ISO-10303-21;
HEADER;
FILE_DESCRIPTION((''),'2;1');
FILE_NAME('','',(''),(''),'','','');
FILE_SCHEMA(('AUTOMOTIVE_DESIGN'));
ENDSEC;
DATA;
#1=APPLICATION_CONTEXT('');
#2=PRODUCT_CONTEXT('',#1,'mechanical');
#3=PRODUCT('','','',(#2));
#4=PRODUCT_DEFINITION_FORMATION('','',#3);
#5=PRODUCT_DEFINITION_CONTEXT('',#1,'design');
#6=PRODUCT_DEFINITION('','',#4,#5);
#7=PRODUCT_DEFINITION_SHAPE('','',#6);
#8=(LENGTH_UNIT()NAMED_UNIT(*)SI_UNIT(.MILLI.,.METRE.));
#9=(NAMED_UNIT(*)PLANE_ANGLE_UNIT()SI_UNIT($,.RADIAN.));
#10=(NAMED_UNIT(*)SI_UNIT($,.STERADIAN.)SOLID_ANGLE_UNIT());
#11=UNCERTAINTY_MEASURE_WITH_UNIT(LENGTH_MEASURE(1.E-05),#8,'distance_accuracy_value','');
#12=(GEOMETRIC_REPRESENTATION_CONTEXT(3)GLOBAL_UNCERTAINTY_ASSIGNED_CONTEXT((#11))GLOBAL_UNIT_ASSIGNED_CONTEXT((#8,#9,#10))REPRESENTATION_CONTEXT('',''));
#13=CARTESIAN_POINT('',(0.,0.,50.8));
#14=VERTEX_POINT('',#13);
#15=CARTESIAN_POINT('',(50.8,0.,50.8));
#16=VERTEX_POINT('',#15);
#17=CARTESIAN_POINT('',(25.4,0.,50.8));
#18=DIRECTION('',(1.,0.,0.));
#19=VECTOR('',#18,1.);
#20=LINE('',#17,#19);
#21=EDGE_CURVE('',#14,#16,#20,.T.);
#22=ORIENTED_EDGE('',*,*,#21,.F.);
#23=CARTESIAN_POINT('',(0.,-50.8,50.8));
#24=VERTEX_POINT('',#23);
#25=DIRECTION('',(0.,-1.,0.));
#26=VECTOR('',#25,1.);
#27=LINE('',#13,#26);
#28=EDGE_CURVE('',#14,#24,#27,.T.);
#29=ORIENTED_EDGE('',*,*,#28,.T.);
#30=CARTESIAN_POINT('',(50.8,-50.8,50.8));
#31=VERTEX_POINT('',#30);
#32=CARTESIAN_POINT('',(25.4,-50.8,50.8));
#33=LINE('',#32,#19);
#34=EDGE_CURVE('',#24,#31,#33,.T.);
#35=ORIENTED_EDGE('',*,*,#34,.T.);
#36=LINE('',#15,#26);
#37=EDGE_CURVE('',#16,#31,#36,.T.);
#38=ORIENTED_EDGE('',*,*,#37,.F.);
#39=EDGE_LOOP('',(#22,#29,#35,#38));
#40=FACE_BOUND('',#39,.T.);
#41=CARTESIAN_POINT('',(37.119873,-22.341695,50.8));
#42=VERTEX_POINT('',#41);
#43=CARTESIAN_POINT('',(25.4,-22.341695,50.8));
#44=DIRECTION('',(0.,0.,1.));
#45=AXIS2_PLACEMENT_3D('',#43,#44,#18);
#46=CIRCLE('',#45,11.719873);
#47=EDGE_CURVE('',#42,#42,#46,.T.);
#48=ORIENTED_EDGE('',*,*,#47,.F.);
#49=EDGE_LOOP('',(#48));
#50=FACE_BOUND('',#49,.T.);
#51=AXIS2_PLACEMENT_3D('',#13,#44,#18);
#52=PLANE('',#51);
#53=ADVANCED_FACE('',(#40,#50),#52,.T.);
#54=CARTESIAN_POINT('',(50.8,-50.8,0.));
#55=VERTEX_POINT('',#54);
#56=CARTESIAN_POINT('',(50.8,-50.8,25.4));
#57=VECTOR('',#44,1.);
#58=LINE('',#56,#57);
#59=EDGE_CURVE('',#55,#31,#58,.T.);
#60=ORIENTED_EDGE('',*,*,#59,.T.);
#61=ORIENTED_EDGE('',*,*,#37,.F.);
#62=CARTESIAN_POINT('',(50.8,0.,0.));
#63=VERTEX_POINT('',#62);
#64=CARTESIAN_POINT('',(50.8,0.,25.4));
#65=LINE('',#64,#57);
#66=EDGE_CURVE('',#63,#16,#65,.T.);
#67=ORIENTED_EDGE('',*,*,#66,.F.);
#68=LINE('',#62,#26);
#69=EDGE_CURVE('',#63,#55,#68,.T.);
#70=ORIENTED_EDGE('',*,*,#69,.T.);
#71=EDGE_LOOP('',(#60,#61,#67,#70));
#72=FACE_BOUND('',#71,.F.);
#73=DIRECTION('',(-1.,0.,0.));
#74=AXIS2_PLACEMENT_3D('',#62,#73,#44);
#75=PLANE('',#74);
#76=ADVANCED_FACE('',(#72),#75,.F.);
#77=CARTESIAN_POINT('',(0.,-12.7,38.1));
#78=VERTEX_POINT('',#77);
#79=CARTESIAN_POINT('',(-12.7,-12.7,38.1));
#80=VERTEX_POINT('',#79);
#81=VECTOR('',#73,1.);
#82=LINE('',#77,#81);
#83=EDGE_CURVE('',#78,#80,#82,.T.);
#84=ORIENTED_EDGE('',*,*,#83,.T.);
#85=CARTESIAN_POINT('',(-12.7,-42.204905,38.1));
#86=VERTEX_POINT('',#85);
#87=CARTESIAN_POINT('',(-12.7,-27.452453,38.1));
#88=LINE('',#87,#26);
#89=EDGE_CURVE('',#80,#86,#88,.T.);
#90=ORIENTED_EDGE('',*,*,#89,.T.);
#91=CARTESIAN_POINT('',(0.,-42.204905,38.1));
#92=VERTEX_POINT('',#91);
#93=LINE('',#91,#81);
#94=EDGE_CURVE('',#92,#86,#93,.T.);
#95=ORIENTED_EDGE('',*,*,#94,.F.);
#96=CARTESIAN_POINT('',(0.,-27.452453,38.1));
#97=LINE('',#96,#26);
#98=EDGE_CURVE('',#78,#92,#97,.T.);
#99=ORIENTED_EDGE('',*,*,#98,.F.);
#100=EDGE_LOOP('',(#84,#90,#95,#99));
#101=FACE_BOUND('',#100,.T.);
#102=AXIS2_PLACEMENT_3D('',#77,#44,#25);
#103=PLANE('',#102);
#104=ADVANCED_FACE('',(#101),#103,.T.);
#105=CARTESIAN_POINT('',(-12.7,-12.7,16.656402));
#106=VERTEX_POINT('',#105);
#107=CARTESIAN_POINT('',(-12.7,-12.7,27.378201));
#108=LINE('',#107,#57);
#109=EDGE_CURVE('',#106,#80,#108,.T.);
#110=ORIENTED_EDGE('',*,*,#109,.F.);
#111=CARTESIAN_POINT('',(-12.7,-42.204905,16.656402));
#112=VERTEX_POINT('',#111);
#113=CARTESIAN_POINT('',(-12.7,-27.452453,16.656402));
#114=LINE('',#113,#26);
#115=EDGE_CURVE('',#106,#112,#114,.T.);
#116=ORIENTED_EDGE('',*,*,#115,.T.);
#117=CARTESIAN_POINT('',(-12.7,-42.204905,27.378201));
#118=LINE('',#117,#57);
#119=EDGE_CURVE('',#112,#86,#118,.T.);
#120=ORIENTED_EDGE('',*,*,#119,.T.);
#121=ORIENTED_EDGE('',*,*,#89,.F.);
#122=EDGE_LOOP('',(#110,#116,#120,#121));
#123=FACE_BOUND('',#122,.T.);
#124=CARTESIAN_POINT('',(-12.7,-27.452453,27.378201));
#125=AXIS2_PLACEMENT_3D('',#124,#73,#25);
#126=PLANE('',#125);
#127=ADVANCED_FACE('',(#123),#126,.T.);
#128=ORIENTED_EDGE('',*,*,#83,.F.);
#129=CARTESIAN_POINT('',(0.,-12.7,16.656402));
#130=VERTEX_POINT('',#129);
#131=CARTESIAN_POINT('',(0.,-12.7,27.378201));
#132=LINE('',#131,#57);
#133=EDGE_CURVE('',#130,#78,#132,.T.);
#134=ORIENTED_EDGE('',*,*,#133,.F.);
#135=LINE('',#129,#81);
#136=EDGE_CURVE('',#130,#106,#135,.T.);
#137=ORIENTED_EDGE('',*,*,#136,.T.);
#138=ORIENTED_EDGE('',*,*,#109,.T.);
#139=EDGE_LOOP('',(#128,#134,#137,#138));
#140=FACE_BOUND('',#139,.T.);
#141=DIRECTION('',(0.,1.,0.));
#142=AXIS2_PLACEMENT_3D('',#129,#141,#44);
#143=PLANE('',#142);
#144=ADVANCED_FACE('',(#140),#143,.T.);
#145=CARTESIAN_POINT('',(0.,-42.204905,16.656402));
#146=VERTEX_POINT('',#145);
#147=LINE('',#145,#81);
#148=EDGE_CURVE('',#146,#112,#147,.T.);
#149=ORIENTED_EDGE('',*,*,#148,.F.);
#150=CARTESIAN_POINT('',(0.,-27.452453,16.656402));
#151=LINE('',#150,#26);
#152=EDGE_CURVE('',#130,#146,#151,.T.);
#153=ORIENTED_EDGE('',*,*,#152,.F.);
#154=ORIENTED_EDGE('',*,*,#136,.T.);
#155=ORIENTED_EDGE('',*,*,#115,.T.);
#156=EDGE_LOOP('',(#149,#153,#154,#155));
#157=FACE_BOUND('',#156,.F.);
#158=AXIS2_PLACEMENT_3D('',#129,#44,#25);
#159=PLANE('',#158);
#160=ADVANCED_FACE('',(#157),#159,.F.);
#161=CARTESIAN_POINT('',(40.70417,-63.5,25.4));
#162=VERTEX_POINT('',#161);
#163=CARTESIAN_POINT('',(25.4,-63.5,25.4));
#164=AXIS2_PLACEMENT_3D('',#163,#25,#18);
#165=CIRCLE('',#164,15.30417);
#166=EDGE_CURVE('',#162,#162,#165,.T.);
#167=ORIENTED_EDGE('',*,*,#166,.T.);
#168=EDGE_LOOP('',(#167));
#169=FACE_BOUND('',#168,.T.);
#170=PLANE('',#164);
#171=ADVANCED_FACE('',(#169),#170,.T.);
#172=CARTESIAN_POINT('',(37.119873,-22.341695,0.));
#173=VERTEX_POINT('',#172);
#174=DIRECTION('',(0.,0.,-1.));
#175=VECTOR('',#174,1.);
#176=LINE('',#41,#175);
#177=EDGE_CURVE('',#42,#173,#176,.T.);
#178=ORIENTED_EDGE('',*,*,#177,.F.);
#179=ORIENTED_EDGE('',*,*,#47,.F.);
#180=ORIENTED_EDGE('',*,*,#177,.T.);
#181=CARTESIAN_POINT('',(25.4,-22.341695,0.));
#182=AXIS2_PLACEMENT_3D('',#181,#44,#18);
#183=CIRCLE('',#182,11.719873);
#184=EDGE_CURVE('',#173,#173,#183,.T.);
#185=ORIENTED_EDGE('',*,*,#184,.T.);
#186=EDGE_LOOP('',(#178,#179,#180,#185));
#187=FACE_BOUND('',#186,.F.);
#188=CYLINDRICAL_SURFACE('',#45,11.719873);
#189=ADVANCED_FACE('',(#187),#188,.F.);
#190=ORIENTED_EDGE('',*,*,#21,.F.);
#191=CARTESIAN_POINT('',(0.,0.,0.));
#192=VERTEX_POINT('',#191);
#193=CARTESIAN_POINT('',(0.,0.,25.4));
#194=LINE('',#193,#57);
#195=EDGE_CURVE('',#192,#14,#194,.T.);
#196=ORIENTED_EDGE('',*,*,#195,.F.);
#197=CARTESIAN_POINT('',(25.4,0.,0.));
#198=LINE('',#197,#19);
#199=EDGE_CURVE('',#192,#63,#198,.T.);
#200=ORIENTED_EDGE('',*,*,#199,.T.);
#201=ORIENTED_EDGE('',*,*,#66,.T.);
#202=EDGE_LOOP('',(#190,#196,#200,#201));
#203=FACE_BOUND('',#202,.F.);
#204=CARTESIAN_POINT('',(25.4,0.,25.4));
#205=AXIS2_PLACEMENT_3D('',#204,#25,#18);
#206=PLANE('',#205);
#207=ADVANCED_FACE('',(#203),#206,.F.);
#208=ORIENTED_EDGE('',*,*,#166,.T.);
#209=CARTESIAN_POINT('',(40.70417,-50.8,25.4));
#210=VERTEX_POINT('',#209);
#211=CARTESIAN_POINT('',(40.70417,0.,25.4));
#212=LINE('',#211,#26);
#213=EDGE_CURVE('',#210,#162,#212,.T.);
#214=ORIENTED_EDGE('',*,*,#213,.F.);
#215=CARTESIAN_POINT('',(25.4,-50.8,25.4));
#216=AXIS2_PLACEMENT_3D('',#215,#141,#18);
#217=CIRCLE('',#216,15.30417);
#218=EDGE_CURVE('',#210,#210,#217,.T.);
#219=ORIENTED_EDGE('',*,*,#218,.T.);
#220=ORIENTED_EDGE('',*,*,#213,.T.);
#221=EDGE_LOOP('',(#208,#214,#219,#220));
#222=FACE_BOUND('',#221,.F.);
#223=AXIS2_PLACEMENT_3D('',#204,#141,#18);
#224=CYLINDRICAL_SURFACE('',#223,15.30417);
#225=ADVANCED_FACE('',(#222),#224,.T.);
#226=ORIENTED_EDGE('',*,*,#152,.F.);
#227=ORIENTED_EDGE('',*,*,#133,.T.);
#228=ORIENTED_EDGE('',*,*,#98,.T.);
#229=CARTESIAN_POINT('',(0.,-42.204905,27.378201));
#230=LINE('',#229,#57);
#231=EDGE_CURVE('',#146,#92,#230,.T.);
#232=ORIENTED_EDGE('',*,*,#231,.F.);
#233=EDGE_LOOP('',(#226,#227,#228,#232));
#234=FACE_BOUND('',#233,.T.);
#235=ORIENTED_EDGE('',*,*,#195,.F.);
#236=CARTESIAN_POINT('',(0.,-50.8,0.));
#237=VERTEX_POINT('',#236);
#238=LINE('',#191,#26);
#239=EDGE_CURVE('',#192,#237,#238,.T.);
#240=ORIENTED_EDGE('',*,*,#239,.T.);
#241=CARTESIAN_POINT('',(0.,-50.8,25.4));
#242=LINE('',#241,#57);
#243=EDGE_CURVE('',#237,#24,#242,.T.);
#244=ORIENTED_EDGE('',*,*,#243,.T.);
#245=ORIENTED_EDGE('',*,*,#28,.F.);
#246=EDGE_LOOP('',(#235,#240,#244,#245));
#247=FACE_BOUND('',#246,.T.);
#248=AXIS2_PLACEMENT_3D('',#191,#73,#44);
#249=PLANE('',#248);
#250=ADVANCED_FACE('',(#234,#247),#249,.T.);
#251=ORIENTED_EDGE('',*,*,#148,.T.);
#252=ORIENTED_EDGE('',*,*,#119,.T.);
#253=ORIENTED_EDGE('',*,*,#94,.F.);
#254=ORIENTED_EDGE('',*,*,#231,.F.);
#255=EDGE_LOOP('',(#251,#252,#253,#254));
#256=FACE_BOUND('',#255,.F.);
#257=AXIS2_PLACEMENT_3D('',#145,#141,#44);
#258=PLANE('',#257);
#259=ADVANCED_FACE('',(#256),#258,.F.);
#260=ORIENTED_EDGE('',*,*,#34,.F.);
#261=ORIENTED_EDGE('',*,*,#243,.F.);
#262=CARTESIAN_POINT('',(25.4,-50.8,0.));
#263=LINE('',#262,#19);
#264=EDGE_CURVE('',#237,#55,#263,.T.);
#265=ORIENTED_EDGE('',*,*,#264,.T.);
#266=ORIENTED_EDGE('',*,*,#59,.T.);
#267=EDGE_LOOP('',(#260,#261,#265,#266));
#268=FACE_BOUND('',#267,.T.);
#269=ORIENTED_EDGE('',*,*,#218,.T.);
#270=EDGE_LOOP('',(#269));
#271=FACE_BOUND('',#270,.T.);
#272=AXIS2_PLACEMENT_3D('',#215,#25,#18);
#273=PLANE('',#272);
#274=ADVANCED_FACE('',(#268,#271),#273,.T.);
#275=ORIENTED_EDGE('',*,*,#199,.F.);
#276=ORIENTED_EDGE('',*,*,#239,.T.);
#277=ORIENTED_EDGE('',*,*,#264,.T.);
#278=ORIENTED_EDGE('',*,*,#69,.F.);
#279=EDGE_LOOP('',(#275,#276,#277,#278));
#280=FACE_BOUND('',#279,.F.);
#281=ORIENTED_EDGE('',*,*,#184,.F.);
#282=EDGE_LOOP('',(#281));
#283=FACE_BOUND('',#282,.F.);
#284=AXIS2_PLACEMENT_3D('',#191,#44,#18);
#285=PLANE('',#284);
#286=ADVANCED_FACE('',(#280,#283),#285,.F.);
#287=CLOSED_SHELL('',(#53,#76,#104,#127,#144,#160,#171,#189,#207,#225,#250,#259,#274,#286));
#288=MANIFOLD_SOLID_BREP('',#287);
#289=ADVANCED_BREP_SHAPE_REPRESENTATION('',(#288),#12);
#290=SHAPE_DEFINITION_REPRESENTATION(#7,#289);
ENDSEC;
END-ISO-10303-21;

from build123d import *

# Parameters (mm, degrees)
F0_W          = 50.8
F0_H          = 50.8
F0_R          = 15.3727399922
F1_DEPTH      = 50.8
F2_R          = 15.3041702045
F3_DEPTH      = 63.5
F4_W          = 29.5049050776
F4_H          = 21.4435977895
F5_DEPTH      = 12.7
F6_R          = 11.7198726016
F7_DEPTH      = 2540
F7_DEPTH_BACK = 25.4


with BuildPart() as f1:
    # F0 (on Front) → F1 (new body)
    with BuildSketch(Plane.XZ):
        with Locations((25.4, 25.4)):
            Rectangle(F0_W, F0_H)
        with Locations((25.4, 25.4)):
            Circle(F0_R, mode=Mode.SUBTRACT)
        with Locations((25.4, 25.4)):
            Circle(F0_R)
    extrude(amount=F1_DEPTH)

    # F2 (on Front) → F3 (join)
    with BuildSketch(Plane.XZ):
        with Locations((25.4, 25.4)):
            Circle(F2_R)
    extrude(amount=F3_DEPTH)

    # F4 (on face) → F5 (join)
    with BuildSketch(Plane(origin=(0, 0, 0), x_dir=(0, -1, 0), z_dir=(-1, 0, 0))):
        with Locations((27.4524525388, 27.3782011052)):
            Rectangle(F4_W, F4_H)
    extrude(amount=F5_DEPTH)

    # F6 (on face) → F7 (cut, two sides)
    with BuildSketch(Plane.XY.offset(50.8)) as f7_sk:
        with Locations((25.4, -22.3416946828)):
            Circle(F6_R)
    extrude(amount=-F7_DEPTH, mode=Mode.SUBTRACT)
    extrude(f7_sk.sketch, amount=F7_DEPTH_BACK, mode=Mode.SUBTRACT)


solid = f1.part
